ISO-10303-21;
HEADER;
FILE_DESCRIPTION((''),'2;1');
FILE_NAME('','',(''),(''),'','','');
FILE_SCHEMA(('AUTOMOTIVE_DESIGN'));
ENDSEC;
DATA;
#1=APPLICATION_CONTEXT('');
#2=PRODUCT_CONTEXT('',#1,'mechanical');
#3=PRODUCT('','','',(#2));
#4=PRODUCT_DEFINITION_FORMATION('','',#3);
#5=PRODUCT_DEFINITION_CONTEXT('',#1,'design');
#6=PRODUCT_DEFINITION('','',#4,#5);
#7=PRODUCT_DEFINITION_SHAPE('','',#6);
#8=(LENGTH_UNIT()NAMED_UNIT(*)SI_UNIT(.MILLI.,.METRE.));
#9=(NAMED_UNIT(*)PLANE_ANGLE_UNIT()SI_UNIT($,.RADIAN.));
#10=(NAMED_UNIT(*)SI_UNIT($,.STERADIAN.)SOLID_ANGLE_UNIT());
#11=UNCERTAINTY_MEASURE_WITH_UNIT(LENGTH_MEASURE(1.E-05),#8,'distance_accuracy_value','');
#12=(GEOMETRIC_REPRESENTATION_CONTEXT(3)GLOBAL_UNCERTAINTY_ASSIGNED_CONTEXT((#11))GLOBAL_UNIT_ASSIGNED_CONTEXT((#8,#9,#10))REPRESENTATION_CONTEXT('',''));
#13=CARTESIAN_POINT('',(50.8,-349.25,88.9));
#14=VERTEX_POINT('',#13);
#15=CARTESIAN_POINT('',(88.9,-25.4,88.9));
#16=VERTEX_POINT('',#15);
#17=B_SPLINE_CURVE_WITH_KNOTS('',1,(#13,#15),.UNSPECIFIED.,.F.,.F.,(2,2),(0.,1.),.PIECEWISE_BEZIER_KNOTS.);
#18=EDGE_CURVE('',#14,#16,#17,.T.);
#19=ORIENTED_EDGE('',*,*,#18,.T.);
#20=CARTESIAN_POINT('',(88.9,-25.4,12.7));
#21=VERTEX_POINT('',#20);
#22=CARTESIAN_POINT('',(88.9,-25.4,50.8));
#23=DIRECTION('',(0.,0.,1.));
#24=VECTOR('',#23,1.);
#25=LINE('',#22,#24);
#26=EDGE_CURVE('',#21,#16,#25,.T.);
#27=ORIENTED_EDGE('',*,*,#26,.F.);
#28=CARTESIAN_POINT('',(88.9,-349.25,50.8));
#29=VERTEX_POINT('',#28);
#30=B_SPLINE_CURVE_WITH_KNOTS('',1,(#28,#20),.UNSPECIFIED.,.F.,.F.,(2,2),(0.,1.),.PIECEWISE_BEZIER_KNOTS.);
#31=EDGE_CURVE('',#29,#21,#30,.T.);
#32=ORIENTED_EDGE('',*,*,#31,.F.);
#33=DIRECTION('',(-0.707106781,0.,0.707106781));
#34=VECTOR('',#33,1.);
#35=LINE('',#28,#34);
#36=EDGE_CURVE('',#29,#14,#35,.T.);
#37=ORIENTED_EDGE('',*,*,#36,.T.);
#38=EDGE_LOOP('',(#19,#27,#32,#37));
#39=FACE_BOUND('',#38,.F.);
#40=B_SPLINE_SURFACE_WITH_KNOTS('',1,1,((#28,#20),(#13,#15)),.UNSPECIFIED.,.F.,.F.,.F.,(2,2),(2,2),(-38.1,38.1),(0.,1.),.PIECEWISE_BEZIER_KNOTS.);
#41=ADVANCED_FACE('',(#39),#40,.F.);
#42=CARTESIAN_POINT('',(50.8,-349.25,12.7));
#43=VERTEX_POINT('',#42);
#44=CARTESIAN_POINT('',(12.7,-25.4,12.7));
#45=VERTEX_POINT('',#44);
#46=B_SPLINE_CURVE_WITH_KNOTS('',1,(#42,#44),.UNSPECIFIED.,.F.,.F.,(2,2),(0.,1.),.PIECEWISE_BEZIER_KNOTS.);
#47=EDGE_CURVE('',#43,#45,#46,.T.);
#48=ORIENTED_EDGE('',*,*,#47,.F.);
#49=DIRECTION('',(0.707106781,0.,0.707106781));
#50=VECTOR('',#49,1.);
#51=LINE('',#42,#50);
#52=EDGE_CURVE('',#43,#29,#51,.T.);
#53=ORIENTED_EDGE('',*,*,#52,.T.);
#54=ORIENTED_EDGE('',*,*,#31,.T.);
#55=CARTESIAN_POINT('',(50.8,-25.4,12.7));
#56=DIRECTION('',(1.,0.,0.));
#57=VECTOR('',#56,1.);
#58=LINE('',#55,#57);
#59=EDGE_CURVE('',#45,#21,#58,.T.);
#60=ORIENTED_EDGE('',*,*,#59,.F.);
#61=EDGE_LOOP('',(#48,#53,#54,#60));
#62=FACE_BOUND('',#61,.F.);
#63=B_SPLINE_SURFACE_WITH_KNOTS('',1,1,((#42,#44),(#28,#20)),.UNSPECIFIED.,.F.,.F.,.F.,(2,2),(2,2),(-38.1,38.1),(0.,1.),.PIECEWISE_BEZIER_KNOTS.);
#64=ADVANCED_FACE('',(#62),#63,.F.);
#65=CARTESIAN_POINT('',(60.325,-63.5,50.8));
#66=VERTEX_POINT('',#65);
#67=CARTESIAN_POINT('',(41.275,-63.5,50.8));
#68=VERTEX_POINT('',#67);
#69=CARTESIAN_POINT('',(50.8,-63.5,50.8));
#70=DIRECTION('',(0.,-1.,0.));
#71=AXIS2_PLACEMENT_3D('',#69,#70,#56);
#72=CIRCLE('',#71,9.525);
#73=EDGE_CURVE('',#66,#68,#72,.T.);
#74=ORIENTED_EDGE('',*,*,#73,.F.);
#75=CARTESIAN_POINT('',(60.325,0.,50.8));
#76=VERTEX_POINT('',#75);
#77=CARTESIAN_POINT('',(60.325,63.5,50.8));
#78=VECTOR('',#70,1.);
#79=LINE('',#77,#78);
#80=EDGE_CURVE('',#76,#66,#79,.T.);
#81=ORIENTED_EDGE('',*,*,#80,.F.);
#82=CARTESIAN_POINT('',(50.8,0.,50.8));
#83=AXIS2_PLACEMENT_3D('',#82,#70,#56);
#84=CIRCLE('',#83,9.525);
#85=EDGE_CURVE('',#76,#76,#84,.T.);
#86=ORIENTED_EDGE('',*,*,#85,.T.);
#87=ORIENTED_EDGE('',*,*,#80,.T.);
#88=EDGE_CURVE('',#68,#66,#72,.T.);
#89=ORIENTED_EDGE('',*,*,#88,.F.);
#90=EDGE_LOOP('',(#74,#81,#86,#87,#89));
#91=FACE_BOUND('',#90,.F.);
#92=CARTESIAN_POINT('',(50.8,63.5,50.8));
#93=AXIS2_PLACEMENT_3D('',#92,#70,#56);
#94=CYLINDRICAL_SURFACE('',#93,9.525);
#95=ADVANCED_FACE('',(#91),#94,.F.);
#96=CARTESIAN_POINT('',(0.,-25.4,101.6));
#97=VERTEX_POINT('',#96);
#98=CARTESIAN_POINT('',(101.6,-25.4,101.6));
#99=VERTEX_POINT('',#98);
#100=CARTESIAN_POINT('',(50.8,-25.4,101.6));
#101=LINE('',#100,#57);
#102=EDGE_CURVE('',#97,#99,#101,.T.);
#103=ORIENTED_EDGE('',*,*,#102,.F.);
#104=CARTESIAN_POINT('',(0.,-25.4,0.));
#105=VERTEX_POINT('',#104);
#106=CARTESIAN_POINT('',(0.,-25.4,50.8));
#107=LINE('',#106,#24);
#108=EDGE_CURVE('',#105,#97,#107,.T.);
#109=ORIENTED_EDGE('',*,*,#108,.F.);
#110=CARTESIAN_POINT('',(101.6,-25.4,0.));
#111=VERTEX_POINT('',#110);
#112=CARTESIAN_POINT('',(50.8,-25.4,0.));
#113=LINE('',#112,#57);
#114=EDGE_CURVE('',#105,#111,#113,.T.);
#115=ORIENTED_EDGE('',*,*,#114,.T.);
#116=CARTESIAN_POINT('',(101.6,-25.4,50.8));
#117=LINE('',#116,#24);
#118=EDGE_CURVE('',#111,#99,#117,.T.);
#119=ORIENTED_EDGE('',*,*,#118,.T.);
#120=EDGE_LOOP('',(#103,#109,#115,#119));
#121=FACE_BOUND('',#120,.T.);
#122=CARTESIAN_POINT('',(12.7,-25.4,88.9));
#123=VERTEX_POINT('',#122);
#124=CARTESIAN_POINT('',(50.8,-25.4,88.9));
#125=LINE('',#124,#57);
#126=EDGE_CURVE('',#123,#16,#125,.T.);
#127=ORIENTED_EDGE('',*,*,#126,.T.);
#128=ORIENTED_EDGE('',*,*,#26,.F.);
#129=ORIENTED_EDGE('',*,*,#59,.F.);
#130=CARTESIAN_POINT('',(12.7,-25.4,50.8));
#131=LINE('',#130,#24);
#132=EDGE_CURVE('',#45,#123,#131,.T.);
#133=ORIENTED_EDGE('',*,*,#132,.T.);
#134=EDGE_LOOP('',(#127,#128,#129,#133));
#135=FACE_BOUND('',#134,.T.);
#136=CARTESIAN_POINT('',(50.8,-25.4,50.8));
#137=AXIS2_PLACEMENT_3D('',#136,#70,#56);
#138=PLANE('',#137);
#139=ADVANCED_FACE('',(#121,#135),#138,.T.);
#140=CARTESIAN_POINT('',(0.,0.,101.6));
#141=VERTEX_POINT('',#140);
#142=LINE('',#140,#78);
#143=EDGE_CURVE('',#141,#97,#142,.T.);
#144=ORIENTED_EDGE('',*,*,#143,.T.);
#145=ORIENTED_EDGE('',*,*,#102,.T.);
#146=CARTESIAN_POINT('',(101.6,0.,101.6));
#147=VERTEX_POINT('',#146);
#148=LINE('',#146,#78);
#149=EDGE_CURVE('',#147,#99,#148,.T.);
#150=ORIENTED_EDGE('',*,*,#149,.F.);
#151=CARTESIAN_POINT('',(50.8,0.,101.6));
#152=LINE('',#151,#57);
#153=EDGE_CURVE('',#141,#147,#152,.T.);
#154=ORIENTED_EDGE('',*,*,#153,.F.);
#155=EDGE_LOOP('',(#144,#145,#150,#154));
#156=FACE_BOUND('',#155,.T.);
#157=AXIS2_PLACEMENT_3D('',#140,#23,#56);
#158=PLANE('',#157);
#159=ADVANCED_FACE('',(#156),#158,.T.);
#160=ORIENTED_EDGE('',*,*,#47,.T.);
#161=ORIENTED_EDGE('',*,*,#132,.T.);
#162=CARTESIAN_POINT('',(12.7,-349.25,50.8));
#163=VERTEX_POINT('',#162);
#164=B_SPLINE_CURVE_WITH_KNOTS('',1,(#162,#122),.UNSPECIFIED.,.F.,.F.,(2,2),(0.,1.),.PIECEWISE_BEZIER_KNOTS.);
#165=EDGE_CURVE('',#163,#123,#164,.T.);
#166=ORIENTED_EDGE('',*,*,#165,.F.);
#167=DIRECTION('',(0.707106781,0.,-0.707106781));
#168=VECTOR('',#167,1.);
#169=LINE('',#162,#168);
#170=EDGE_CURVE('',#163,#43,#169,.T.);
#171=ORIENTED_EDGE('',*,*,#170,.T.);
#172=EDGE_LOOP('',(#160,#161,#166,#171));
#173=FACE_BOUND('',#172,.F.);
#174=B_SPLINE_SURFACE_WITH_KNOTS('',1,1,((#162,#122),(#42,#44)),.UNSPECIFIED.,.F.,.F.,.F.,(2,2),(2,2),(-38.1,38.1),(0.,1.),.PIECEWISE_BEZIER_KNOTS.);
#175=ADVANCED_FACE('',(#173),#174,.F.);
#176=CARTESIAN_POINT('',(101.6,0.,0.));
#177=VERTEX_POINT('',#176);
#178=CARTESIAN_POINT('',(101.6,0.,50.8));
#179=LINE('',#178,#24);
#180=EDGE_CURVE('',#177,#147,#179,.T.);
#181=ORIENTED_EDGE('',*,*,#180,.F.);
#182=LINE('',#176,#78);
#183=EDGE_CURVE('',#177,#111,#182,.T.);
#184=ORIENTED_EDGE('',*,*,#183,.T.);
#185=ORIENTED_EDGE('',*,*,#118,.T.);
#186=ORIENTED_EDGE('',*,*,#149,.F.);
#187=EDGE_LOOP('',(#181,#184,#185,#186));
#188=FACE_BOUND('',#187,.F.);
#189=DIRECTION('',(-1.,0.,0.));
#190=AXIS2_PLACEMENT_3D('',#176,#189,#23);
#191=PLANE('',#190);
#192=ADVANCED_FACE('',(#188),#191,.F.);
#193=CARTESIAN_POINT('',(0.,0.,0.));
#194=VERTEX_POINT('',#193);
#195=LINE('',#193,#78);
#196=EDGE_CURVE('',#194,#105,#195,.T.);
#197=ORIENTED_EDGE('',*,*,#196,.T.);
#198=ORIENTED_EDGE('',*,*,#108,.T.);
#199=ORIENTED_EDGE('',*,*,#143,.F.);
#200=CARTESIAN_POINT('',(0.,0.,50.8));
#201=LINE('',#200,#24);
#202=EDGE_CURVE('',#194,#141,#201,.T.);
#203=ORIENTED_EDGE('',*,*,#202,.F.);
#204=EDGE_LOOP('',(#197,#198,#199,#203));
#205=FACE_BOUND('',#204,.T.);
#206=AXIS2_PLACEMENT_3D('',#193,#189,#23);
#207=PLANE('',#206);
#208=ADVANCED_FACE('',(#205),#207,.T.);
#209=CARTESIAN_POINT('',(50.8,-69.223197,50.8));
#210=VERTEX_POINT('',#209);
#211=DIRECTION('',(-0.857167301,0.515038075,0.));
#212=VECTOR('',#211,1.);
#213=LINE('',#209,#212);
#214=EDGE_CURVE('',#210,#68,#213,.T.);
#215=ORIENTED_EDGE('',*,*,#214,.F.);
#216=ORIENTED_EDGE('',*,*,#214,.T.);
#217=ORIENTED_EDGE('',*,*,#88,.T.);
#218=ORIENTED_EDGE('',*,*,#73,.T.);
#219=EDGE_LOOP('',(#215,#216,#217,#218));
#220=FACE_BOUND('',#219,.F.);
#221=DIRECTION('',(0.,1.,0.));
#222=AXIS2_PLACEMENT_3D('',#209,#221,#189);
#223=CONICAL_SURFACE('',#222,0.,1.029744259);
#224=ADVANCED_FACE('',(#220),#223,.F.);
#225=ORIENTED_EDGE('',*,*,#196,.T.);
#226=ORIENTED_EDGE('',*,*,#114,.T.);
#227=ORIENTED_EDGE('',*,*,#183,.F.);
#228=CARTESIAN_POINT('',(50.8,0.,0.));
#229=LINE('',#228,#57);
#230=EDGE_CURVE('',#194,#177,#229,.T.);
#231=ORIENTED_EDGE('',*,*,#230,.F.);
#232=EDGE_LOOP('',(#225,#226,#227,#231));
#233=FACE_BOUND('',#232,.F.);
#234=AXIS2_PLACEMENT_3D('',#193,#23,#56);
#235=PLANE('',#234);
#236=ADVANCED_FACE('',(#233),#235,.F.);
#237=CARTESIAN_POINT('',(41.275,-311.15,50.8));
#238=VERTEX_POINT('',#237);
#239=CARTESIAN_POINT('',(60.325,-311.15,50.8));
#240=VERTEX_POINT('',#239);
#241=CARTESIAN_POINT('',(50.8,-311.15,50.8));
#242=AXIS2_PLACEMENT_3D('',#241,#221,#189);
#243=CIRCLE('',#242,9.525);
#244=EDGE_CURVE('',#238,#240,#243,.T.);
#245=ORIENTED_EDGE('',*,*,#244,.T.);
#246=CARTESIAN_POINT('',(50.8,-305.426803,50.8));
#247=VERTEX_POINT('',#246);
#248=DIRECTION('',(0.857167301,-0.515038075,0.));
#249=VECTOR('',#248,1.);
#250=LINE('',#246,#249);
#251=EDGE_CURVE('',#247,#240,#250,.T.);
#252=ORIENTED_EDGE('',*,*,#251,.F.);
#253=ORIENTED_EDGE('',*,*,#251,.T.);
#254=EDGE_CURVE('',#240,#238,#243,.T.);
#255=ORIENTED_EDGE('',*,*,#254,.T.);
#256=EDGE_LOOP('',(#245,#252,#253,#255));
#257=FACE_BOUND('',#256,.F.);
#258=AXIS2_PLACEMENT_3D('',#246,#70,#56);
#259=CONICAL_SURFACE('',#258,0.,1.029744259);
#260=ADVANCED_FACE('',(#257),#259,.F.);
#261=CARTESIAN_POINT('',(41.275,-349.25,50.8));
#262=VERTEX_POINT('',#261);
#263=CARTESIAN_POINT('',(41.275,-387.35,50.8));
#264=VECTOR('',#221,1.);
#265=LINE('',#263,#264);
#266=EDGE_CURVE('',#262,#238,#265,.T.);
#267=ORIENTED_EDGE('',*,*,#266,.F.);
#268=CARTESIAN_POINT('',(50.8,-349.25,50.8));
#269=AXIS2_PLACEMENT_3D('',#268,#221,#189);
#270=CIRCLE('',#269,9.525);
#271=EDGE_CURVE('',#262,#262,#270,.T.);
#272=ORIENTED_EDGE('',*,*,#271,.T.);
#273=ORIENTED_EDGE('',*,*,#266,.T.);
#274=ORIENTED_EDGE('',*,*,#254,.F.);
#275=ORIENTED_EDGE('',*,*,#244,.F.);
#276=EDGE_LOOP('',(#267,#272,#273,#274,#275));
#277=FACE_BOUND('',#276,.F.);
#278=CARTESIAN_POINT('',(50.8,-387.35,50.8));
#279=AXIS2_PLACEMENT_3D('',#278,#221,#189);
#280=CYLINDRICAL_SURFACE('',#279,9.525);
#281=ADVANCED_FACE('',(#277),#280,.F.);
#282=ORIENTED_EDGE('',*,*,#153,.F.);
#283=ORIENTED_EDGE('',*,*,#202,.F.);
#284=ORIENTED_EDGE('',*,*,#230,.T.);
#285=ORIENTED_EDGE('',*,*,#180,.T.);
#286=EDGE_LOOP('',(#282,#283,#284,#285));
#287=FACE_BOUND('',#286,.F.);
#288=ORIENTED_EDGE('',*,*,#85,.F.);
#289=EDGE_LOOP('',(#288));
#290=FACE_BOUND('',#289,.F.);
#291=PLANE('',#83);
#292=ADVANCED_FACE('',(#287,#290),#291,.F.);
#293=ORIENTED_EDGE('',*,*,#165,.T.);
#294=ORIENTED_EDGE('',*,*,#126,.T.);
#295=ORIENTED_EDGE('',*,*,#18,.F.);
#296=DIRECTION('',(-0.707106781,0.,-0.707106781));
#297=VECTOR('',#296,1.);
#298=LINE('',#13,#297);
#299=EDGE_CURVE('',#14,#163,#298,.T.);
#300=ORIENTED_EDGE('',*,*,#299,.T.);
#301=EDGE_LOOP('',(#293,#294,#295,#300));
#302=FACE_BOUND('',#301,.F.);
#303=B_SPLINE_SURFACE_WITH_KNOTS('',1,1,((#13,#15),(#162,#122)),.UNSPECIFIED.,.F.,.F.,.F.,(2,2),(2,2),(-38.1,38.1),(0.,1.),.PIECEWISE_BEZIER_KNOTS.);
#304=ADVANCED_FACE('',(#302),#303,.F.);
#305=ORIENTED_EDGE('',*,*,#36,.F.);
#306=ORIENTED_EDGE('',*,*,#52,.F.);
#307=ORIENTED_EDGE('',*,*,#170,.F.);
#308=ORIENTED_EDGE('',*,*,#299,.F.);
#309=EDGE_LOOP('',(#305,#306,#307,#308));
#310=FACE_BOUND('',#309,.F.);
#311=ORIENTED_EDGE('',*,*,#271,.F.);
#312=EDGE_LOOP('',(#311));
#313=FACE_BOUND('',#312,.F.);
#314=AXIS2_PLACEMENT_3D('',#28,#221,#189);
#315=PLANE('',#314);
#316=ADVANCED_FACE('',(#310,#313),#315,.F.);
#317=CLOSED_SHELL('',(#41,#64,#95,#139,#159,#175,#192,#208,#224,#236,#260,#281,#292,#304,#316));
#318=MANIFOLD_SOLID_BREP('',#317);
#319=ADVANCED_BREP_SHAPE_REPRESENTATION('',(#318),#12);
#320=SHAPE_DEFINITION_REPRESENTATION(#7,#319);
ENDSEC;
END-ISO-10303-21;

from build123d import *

# Parameters (mm, degrees)
F0_W     = 101.6
F0_H     = 101.6
F1_DEPTH = 25.4
F4_W     = 76.2
F4_H     = 76.2
F7_D     = 19.05
F7_DEPTH = 63.5
F7_TIP   = 5.7231973962
F9_D     = 19.05
F9_DEPTH = 38.1
F9_TIP   = 5.7231973962


with BuildPart() as f1:
    # F0 (on Front) → F1 (new body)
    with BuildSketch(Plane.XZ):
        with Locations((50.8, 50.8)):
            Rectangle(F0_W, F0_H)
    extrude(amount=F1_DEPTH)

    # F3 (on offset) → F5 section 0
    with BuildSketch(Plane.XZ.offset(349.25)):
        Polygon((88.9, 50.8), (50.8, 88.9), (12.7, 50.8), (50.8, 12.7), align=None)
    # F4 (on face) → F5 section 1
    with BuildSketch(Plane.XZ.offset(25.4)):
        with Locations((50.8, 50.8)):
            Rectangle(F4_W, F4_H)
    loft()

    # F7
    with Locations(Plane(origin=(0, 0, 0), x_dir=(-1, 0, 0), z_dir=(0, 1, 0))):
        with Locations((-50.8, 50.8)):
            Hole(F7_D / 2, depth=F7_DEPTH)
            with Locations((0, 0, -(F7_DEPTH + F7_TIP / 2))):  # 118° drill point
                Cone(0, F7_D / 2, F7_TIP, mode=Mode.SUBTRACT)

    # F9
    with Locations(Plane.XZ.offset(349.25)):
        with Locations((50.8, 50.8)):
            Hole(F9_D / 2, depth=F9_DEPTH)
            with Locations((0, 0, -(F9_DEPTH + F9_TIP / 2))):  # 118° drill point
                Cone(0, F9_D / 2, F9_TIP, mode=Mode.SUBTRACT)


solid = f1.part
